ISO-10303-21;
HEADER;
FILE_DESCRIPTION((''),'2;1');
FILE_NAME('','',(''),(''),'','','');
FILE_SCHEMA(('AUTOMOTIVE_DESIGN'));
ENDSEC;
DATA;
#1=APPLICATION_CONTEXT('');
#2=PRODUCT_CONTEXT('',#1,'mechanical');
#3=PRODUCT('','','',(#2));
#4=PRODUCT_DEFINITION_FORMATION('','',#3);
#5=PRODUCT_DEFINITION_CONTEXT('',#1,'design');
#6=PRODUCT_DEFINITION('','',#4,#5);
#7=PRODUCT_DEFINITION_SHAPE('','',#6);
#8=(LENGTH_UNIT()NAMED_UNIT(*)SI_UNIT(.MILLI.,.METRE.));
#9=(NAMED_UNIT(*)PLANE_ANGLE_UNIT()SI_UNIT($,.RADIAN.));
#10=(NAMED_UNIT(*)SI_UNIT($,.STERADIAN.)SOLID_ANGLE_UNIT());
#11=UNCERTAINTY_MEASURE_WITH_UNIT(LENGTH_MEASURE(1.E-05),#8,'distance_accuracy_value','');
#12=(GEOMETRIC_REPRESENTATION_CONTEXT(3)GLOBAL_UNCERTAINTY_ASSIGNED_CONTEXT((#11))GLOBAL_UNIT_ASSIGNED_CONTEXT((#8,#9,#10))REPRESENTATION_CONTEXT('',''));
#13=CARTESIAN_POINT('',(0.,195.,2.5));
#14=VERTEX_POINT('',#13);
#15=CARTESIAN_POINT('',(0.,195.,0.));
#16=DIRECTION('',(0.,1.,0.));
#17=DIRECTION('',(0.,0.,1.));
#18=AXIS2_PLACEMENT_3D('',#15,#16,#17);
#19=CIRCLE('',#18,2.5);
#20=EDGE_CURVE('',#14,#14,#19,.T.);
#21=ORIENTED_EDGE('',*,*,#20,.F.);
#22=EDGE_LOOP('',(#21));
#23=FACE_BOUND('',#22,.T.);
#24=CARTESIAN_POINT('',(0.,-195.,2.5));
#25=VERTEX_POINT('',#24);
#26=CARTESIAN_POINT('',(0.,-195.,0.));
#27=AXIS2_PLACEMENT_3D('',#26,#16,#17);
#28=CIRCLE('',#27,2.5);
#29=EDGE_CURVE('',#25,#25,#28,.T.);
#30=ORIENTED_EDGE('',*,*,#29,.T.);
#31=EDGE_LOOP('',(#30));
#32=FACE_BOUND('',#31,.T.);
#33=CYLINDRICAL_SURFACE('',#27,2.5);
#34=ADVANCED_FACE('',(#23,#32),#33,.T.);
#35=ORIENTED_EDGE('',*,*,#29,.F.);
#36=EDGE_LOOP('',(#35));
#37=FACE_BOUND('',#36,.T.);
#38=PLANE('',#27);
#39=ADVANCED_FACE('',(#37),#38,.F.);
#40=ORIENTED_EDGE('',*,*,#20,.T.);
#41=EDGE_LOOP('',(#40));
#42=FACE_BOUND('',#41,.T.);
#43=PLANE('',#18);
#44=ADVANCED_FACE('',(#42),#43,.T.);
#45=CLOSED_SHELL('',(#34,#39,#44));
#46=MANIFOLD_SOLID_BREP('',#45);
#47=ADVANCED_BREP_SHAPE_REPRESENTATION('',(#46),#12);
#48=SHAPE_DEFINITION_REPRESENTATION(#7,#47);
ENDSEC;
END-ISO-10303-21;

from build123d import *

# Parameters (mm, degrees)
BOSS_EXTRUDE1_DEPTH      = 195
BOSS_EXTRUDE1_DEPTH_BACK = 195
SKETCH1_R                = 2.5


with BuildPart() as part:
    # Sketch1 → Boss-Extrude1 (new, two sides: drawn at the far end of the back side and taken through both)
    with BuildSketch(Plane(origin=(0, 0, 0), x_dir=(1, 0, 0), z_dir=(0, 1, 0)).offset(-BOSS_EXTRUDE1_DEPTH_BACK)):
        Circle(SKETCH1_R)
    extrude(amount=BOSS_EXTRUDE1_DEPTH + BOSS_EXTRUDE1_DEPTH_BACK)


solid = part.part
